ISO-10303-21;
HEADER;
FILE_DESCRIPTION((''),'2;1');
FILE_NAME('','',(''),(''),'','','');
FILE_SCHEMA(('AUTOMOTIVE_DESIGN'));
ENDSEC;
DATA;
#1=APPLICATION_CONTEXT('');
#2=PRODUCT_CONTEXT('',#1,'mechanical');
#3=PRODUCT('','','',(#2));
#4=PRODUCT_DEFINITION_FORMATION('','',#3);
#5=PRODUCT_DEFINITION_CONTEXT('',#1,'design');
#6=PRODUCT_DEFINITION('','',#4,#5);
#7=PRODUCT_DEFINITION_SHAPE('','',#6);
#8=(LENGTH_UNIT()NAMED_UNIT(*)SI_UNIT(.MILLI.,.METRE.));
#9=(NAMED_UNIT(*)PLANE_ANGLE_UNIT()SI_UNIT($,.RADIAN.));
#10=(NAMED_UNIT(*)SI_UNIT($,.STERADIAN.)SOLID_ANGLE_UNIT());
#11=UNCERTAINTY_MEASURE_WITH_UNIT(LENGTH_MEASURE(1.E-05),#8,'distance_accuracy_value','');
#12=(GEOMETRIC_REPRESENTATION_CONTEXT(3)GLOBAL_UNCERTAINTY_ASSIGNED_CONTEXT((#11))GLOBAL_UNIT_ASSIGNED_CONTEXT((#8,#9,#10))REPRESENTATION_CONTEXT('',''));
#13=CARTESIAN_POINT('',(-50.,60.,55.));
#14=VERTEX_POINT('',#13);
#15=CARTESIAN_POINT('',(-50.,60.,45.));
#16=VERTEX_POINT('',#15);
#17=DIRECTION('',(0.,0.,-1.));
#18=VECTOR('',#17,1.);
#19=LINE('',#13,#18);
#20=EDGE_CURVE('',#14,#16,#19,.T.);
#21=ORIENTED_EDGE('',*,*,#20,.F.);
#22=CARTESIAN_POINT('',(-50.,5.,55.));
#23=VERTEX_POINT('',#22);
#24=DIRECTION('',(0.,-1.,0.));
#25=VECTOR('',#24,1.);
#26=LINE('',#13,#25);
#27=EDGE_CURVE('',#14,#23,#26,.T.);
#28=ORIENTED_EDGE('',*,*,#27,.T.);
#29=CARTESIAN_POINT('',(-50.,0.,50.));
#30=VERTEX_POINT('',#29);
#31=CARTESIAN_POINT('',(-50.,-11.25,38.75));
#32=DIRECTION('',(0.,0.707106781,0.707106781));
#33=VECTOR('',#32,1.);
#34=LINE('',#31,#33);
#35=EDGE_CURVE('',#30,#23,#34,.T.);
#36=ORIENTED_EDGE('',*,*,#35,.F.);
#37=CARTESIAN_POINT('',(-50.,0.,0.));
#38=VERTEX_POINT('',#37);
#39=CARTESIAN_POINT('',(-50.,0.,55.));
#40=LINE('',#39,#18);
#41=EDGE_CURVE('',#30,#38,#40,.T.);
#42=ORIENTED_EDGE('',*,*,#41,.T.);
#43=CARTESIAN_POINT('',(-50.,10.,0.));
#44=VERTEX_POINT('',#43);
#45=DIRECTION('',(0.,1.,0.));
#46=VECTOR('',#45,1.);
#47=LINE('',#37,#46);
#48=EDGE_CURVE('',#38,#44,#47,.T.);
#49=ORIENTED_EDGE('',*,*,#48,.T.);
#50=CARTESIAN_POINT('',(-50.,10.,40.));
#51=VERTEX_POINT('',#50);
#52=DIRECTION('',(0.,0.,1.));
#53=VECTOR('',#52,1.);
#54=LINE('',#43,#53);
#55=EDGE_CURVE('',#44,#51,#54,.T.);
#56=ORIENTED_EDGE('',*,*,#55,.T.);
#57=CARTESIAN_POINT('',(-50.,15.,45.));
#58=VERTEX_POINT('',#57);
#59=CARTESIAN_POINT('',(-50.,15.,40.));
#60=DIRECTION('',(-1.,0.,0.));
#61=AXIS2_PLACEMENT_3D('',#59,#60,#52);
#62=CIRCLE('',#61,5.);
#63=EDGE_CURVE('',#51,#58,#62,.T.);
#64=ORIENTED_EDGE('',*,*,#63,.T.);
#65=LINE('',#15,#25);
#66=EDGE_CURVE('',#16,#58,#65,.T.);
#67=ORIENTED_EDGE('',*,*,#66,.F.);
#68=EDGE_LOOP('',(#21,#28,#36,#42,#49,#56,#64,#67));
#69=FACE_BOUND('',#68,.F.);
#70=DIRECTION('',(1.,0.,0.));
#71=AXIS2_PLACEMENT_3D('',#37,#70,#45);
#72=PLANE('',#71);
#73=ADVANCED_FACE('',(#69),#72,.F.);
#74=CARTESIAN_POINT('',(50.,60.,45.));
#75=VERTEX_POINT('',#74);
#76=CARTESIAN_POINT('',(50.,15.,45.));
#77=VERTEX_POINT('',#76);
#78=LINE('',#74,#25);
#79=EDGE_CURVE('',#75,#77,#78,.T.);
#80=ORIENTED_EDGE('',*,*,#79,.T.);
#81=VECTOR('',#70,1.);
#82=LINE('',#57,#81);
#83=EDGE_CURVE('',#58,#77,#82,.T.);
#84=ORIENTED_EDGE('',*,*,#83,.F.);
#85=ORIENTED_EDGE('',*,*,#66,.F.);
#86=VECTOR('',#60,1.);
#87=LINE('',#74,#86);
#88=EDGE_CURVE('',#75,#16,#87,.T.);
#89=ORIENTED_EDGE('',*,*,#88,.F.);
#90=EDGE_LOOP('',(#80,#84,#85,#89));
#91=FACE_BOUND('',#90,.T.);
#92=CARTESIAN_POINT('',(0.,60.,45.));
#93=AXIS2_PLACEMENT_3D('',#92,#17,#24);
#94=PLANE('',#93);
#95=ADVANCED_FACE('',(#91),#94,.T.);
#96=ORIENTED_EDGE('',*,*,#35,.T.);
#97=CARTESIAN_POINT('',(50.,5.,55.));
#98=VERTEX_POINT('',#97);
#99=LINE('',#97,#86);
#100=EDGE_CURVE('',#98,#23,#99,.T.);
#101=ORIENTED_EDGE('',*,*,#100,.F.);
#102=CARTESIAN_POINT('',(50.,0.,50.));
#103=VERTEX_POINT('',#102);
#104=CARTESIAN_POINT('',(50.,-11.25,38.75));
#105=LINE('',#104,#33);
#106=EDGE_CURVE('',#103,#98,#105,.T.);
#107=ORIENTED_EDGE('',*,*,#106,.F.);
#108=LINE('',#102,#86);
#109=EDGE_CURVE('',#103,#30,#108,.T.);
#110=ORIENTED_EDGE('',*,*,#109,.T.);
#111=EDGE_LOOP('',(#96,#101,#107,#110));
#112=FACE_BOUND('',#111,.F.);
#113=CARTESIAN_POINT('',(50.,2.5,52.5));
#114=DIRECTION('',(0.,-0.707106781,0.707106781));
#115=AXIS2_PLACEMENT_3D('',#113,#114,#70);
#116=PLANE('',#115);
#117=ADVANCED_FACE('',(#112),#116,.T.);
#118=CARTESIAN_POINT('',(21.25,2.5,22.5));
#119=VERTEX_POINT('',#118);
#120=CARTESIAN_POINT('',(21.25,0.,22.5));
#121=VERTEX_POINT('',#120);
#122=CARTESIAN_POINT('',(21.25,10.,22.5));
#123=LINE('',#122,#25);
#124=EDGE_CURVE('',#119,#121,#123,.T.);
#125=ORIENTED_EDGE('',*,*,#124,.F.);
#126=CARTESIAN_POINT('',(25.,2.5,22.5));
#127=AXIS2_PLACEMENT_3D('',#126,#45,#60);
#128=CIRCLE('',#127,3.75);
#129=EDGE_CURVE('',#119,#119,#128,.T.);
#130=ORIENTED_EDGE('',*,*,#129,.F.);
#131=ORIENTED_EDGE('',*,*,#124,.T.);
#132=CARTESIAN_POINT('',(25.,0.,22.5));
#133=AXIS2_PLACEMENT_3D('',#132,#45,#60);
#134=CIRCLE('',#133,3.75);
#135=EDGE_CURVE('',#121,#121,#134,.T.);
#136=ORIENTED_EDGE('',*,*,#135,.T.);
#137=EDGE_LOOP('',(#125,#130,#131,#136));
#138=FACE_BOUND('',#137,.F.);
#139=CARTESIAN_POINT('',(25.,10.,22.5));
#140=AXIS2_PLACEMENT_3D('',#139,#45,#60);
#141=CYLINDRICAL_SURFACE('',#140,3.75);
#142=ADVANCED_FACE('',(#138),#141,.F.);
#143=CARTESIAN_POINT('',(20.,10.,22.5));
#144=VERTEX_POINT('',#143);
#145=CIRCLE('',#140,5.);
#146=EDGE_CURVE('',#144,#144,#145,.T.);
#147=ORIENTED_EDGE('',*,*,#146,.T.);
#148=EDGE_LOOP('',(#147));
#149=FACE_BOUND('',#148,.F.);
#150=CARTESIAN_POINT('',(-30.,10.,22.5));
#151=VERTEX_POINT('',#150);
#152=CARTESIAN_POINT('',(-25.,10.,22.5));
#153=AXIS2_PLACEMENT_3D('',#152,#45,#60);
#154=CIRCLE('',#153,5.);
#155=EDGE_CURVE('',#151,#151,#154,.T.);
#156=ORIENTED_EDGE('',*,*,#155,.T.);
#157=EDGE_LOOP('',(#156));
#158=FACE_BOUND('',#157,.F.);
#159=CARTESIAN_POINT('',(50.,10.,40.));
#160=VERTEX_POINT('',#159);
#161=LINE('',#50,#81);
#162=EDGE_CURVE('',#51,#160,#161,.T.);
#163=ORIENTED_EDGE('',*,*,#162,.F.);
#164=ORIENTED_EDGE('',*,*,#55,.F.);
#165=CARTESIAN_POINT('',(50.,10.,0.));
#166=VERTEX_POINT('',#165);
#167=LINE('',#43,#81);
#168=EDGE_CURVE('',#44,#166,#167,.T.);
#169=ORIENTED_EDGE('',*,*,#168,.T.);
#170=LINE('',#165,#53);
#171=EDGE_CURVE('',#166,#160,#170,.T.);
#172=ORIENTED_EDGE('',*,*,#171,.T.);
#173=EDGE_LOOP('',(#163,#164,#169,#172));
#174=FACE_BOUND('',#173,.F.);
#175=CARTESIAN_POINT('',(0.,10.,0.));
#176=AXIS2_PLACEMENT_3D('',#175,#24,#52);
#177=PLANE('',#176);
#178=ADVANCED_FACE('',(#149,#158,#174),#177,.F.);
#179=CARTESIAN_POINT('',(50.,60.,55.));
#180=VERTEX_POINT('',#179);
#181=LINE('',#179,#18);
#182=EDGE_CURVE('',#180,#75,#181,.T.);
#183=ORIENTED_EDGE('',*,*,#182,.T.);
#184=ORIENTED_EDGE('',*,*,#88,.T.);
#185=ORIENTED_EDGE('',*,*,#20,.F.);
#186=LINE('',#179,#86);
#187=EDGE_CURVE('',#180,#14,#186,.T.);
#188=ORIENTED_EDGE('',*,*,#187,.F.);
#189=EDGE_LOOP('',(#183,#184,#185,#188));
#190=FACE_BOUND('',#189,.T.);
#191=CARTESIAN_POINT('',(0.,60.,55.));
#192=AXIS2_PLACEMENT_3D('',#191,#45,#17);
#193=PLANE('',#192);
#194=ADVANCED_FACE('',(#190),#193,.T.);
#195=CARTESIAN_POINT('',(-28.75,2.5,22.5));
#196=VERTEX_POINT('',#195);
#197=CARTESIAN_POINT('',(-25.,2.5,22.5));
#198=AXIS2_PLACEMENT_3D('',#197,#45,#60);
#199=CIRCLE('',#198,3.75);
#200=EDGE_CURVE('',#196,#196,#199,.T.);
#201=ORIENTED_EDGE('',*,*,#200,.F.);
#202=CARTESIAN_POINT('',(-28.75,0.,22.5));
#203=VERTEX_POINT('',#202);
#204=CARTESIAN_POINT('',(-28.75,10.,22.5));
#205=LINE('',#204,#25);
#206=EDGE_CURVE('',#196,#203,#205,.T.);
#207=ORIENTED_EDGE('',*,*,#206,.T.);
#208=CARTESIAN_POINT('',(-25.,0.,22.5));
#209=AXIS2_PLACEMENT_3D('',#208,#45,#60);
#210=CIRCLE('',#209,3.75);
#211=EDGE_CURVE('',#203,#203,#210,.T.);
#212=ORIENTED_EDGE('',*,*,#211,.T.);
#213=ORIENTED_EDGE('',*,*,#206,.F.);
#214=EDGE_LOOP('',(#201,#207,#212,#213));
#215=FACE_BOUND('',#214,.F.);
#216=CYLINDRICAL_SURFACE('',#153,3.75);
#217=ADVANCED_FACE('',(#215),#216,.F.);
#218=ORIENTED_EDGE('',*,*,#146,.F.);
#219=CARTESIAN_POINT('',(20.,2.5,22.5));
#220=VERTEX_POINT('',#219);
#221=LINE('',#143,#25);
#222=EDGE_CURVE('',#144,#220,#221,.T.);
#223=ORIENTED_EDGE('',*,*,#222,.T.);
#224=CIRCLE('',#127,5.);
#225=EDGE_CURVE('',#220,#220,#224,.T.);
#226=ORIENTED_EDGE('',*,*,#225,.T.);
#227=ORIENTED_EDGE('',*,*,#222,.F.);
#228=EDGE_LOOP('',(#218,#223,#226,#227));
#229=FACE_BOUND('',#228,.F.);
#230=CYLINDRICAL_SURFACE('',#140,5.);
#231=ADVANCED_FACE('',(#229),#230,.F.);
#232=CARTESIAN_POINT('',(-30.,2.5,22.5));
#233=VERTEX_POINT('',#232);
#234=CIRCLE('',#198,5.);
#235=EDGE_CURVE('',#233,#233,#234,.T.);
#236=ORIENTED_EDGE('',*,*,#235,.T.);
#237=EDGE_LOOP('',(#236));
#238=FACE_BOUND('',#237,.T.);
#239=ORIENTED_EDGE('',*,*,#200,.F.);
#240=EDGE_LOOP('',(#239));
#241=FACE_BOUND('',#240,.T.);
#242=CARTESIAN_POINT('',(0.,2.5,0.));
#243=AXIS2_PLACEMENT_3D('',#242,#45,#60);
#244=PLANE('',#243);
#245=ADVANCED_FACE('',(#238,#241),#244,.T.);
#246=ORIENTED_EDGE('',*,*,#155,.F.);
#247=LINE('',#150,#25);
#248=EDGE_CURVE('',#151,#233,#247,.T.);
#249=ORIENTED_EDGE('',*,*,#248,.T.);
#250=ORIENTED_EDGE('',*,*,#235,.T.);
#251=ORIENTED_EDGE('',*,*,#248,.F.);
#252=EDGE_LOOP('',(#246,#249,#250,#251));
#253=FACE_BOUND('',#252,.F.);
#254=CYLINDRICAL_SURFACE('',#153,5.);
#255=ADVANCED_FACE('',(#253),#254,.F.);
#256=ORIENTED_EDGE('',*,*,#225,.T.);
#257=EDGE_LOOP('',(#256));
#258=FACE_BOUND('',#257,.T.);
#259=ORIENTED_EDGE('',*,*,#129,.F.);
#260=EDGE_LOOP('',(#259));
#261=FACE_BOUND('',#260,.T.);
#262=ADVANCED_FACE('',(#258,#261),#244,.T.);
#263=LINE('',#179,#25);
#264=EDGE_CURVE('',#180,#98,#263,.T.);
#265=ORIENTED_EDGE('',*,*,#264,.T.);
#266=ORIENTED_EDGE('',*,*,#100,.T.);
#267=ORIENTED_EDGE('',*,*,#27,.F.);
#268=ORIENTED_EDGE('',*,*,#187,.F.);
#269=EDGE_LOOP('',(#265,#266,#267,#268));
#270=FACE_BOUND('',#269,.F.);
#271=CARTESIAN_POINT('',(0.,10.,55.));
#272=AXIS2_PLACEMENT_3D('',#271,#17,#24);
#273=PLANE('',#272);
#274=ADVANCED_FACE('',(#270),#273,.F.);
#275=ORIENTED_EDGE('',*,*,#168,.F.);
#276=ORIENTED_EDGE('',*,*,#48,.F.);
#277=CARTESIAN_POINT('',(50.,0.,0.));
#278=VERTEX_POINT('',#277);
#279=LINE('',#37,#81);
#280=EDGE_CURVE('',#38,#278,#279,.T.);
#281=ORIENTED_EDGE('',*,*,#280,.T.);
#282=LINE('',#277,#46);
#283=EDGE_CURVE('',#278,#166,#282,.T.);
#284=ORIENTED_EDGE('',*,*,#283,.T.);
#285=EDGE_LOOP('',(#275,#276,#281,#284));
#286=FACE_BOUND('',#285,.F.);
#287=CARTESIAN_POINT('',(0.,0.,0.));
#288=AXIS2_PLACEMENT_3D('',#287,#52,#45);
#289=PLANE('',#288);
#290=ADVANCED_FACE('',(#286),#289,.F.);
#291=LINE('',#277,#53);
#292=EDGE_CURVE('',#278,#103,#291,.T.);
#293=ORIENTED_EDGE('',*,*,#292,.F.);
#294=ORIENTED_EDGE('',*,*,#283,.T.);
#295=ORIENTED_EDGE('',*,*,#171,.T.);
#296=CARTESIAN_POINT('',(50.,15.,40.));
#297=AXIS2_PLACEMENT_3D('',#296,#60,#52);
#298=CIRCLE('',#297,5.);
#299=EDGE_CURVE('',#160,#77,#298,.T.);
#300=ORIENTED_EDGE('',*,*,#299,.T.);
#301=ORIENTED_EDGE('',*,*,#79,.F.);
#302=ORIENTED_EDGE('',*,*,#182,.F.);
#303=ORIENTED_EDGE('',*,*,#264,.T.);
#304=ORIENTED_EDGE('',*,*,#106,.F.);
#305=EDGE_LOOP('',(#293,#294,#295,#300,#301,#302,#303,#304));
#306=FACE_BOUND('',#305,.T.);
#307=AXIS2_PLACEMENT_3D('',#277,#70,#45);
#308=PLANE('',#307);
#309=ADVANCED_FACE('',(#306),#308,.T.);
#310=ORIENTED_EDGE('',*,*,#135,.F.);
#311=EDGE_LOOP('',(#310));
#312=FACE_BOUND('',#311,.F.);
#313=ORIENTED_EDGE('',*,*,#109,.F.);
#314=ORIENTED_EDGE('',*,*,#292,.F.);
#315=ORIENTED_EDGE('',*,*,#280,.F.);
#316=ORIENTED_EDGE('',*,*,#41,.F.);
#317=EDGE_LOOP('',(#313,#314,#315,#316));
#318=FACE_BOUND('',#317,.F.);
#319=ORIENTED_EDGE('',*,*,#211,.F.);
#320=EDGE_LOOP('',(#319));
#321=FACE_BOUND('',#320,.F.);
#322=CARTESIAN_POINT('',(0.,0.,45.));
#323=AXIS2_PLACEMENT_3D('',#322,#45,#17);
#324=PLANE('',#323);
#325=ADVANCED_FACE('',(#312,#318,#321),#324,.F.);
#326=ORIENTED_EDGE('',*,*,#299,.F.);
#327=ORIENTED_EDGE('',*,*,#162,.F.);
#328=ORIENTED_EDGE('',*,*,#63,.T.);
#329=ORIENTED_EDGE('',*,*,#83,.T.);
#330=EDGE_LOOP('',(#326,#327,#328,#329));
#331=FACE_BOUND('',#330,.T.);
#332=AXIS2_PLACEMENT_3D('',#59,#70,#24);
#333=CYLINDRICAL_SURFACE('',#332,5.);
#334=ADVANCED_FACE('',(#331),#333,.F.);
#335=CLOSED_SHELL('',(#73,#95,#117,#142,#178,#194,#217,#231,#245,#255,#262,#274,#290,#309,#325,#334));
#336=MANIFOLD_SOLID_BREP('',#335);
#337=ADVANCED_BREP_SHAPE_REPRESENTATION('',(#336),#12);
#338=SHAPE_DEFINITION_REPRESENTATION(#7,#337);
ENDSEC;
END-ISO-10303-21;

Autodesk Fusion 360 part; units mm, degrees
sketch "Sketch1" plane through (0, 0, 0) normal (1, 0, 0) x (0, 1, 0)
  line L0 (0, 0) -> (10, 0)
  line L1 (10, 0) -> (10, 45)
  line L2 (10, 55) -> (0, 55)
  line L3 (0, 55) -> (0, 0)
  line L4 (0, 55) -> (60, 55)
  line L5 (60, 55) -> (60, 45)
  line L6 (60, 45) -> (10, 45)
  line L7 (0, 45) -> (0, 55)
extrude "Extrude1" add sketch "Sketch1" along normal mid plane 100
sketch "Sketch2" plane through (0, 10, 0) normal (0, 1, 0) x (-1, 0, 0)
  line L0 (50, 45) -> (-50, 45)
  line L1 (-50, 45) -> (-50, 0)
  line L2 (-50, 0) -> (50, 0)
  line L3 (50, 0) -> (50, 45)
  circle A0 centre (25, 22.5) radius 3.75
  line L4 (0, 0) -> (0, 67.2521)
  circle A1 centre (-25, 22.5) radius 3.75
  dimension "d3" = 7.5
  dimension "d4" = 25
extrude "Extrude2" cut sketch "Sketch2" against normal blind 28 contours A0 | A1
sketch "Sketch3" plane through (0, 10, 0) normal (0, 1, 0) x (-1, 0, 0)
  circle A0 centre (-25, 22.5) radius 3.75
  circle A1 centre (25, 22.5) radius 3.75
  line L0 (50, 45) -> (-50, 45)
  line L1 (-50, 45) -> (-50, 0)
  line L2 (-50, 0) -> (50, 0)
  line L3 (50, 0) -> (50, 45)
  circle A2 centre (-25, 22.5) radius 5
  circle A3 centre (25, 22.5) radius 5
  dimension "d7" = 10
  dimension "d8" = 10
extrude "Extrude3" cut sketch "Sketch3" against normal blind 7.5 contours A2 | A3
fillet "Fillet1" radius 5 1 edges at (0, 10, 45)
chamfer "Chamfer1" distance 5 angle 45 1 edges at (0, 0, 55)
